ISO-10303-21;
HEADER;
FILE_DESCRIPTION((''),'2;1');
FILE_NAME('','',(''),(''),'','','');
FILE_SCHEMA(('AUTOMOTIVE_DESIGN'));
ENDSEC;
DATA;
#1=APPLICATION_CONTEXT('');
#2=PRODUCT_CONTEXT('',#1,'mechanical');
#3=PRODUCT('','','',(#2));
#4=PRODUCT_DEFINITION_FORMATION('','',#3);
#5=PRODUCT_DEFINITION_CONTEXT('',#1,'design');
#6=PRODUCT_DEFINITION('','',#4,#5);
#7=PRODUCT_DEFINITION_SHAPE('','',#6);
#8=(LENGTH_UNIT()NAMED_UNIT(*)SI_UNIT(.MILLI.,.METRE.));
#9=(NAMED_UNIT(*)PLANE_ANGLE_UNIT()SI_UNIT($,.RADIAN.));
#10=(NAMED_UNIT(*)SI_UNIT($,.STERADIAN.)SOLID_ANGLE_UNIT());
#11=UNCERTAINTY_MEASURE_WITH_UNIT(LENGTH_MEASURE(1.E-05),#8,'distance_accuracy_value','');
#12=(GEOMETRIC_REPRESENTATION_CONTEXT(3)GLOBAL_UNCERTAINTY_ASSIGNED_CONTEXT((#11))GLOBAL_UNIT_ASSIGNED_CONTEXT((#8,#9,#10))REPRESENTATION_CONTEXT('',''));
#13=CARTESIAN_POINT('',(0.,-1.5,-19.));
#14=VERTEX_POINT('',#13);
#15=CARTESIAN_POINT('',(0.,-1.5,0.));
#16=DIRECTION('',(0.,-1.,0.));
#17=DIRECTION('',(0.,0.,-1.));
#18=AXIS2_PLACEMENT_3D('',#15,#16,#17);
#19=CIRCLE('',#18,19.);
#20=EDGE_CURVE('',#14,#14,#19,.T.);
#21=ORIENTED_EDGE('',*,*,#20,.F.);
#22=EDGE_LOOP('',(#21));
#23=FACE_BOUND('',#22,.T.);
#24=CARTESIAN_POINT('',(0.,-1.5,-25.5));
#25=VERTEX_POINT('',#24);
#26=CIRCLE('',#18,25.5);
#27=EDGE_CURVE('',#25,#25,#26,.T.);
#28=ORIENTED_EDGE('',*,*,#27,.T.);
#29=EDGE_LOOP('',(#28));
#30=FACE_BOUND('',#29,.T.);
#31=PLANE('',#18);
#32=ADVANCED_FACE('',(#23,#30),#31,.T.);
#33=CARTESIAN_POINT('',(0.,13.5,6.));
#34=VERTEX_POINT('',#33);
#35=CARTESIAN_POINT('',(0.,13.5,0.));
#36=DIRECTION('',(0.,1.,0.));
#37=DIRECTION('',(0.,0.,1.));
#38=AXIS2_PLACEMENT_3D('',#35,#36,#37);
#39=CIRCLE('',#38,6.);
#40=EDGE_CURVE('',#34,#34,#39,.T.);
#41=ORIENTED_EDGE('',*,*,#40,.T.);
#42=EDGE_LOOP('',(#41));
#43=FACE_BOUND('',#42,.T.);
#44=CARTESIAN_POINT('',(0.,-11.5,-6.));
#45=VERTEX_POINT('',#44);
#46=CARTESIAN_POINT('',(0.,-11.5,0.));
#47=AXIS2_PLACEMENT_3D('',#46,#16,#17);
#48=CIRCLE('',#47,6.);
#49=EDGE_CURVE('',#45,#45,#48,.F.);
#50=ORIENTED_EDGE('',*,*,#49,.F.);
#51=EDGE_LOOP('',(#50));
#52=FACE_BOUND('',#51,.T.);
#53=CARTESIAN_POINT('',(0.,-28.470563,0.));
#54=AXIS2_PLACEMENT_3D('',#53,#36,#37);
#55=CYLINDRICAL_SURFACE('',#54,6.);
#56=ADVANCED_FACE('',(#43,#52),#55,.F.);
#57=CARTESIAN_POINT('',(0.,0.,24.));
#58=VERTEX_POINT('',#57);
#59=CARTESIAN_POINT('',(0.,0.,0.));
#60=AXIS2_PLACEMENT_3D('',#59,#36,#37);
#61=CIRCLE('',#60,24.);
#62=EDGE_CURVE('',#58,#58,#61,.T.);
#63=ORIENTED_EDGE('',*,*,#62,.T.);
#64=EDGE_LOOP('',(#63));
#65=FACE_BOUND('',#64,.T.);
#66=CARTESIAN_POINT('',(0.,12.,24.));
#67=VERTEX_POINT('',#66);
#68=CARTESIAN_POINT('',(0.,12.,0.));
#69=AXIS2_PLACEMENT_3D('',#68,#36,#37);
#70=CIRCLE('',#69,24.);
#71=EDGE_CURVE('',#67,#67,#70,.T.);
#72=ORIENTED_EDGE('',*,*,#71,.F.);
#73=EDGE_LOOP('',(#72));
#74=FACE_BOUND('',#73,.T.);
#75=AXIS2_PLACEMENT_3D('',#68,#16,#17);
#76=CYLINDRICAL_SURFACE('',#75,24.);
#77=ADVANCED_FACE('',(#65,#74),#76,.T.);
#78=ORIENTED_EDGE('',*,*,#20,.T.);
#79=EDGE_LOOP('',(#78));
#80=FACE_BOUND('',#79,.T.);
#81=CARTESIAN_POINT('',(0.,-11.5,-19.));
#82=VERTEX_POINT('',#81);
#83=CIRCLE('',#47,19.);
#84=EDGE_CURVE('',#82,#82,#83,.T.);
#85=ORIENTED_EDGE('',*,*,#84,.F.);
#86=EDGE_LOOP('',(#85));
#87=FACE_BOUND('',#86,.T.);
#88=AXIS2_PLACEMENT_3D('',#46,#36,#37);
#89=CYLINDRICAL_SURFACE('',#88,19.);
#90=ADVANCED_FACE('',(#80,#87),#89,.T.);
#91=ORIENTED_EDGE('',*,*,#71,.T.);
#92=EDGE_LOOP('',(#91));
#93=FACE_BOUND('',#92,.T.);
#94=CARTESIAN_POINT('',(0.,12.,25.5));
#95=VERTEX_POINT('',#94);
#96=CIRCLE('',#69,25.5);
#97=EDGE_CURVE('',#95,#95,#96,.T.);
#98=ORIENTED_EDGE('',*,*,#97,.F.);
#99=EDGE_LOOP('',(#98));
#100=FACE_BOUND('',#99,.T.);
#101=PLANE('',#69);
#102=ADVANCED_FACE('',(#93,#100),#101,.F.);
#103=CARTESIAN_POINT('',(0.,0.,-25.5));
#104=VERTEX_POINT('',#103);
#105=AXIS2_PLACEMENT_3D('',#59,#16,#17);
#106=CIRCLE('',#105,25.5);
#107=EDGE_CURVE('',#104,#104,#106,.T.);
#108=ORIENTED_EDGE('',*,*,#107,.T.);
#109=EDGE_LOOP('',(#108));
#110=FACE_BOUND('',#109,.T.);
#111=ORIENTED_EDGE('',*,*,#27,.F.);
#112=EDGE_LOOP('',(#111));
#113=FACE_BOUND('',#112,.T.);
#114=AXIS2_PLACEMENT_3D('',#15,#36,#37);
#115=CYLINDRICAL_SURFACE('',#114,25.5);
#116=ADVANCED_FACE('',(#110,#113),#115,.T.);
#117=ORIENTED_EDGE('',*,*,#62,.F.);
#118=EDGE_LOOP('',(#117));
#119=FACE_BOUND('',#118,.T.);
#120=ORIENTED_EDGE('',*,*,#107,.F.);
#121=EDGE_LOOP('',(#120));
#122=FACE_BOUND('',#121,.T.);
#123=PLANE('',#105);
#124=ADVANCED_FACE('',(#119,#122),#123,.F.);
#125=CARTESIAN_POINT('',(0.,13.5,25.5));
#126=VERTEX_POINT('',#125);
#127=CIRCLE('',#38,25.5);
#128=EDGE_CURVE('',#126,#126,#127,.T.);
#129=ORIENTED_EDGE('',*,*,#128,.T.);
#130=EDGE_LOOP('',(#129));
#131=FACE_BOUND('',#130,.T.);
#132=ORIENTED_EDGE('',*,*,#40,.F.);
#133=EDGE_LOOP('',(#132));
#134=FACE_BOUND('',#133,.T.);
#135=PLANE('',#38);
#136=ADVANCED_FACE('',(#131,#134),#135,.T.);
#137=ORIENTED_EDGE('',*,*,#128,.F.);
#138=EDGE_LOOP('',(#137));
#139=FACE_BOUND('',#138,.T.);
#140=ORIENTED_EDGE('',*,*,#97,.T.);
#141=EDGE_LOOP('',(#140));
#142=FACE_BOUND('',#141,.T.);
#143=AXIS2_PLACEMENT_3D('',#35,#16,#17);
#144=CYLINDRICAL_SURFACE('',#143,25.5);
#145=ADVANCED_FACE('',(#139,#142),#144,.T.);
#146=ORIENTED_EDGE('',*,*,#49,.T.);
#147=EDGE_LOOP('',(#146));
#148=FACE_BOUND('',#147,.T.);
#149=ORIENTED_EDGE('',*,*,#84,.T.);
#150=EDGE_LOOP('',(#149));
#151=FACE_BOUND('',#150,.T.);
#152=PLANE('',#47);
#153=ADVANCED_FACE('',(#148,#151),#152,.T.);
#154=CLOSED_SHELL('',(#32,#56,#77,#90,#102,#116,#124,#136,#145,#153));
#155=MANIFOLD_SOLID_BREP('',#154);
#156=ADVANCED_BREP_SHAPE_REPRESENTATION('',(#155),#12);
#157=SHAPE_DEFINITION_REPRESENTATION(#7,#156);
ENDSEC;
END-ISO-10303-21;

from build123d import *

# Parameters (mm, degrees)
SKETCH1_R           = 24
BOSS_EXTRUDE1_DEPTH = 12
SKETCH3_R           = 25.5
BOSS_EXTRUDE3_DEPTH = 1.5
SKETCH4_R           = 25.5
BOSS_EXTRUDE4_DEPTH = 1.5
SKETCH5_R           = 19
BOSS_EXTRUDE5_DEPTH = 10
SKETCH6_R           = 6
CUT_EXTRUDE1_DEPTH  = 25


with BuildPart() as part:
    # Sketch1 → Boss-Extrude1 (new body)
    with BuildSketch(Plane(origin=(0, 0, 0), x_dir=(1, 0, 0), z_dir=(0, 1, 0))):
        Circle(SKETCH1_R)
    extrude(amount=BOSS_EXTRUDE1_DEPTH)

    # Sketch3 → Boss-Extrude3 (add)
    with BuildSketch(Plane(origin=(0, 12, 0), x_dir=(1, 0, 0), z_dir=(0, 1, 0))):
        Circle(SKETCH3_R)
    extrude(amount=BOSS_EXTRUDE3_DEPTH)

    # Sketch4 → Boss-Extrude4 (add)
    with BuildSketch(Plane.XZ):
        Circle(SKETCH4_R)
    extrude(amount=BOSS_EXTRUDE4_DEPTH)

    # Sketch5 → Boss-Extrude5 (add)
    with BuildSketch(Plane.XZ.offset(1.5)):
        Circle(SKETCH5_R)
    extrude(amount=BOSS_EXTRUDE5_DEPTH)

    # Sketch6 → Cut-Extrude1 (cut)
    with BuildSketch(Plane(origin=(0, 13.5, 0), x_dir=(1, 0, 0), z_dir=(0, 1, 0))):
        Circle(SKETCH6_R)
    extrude(amount=-CUT_EXTRUDE1_DEPTH, mode=Mode.SUBTRACT)


solid = part.part
